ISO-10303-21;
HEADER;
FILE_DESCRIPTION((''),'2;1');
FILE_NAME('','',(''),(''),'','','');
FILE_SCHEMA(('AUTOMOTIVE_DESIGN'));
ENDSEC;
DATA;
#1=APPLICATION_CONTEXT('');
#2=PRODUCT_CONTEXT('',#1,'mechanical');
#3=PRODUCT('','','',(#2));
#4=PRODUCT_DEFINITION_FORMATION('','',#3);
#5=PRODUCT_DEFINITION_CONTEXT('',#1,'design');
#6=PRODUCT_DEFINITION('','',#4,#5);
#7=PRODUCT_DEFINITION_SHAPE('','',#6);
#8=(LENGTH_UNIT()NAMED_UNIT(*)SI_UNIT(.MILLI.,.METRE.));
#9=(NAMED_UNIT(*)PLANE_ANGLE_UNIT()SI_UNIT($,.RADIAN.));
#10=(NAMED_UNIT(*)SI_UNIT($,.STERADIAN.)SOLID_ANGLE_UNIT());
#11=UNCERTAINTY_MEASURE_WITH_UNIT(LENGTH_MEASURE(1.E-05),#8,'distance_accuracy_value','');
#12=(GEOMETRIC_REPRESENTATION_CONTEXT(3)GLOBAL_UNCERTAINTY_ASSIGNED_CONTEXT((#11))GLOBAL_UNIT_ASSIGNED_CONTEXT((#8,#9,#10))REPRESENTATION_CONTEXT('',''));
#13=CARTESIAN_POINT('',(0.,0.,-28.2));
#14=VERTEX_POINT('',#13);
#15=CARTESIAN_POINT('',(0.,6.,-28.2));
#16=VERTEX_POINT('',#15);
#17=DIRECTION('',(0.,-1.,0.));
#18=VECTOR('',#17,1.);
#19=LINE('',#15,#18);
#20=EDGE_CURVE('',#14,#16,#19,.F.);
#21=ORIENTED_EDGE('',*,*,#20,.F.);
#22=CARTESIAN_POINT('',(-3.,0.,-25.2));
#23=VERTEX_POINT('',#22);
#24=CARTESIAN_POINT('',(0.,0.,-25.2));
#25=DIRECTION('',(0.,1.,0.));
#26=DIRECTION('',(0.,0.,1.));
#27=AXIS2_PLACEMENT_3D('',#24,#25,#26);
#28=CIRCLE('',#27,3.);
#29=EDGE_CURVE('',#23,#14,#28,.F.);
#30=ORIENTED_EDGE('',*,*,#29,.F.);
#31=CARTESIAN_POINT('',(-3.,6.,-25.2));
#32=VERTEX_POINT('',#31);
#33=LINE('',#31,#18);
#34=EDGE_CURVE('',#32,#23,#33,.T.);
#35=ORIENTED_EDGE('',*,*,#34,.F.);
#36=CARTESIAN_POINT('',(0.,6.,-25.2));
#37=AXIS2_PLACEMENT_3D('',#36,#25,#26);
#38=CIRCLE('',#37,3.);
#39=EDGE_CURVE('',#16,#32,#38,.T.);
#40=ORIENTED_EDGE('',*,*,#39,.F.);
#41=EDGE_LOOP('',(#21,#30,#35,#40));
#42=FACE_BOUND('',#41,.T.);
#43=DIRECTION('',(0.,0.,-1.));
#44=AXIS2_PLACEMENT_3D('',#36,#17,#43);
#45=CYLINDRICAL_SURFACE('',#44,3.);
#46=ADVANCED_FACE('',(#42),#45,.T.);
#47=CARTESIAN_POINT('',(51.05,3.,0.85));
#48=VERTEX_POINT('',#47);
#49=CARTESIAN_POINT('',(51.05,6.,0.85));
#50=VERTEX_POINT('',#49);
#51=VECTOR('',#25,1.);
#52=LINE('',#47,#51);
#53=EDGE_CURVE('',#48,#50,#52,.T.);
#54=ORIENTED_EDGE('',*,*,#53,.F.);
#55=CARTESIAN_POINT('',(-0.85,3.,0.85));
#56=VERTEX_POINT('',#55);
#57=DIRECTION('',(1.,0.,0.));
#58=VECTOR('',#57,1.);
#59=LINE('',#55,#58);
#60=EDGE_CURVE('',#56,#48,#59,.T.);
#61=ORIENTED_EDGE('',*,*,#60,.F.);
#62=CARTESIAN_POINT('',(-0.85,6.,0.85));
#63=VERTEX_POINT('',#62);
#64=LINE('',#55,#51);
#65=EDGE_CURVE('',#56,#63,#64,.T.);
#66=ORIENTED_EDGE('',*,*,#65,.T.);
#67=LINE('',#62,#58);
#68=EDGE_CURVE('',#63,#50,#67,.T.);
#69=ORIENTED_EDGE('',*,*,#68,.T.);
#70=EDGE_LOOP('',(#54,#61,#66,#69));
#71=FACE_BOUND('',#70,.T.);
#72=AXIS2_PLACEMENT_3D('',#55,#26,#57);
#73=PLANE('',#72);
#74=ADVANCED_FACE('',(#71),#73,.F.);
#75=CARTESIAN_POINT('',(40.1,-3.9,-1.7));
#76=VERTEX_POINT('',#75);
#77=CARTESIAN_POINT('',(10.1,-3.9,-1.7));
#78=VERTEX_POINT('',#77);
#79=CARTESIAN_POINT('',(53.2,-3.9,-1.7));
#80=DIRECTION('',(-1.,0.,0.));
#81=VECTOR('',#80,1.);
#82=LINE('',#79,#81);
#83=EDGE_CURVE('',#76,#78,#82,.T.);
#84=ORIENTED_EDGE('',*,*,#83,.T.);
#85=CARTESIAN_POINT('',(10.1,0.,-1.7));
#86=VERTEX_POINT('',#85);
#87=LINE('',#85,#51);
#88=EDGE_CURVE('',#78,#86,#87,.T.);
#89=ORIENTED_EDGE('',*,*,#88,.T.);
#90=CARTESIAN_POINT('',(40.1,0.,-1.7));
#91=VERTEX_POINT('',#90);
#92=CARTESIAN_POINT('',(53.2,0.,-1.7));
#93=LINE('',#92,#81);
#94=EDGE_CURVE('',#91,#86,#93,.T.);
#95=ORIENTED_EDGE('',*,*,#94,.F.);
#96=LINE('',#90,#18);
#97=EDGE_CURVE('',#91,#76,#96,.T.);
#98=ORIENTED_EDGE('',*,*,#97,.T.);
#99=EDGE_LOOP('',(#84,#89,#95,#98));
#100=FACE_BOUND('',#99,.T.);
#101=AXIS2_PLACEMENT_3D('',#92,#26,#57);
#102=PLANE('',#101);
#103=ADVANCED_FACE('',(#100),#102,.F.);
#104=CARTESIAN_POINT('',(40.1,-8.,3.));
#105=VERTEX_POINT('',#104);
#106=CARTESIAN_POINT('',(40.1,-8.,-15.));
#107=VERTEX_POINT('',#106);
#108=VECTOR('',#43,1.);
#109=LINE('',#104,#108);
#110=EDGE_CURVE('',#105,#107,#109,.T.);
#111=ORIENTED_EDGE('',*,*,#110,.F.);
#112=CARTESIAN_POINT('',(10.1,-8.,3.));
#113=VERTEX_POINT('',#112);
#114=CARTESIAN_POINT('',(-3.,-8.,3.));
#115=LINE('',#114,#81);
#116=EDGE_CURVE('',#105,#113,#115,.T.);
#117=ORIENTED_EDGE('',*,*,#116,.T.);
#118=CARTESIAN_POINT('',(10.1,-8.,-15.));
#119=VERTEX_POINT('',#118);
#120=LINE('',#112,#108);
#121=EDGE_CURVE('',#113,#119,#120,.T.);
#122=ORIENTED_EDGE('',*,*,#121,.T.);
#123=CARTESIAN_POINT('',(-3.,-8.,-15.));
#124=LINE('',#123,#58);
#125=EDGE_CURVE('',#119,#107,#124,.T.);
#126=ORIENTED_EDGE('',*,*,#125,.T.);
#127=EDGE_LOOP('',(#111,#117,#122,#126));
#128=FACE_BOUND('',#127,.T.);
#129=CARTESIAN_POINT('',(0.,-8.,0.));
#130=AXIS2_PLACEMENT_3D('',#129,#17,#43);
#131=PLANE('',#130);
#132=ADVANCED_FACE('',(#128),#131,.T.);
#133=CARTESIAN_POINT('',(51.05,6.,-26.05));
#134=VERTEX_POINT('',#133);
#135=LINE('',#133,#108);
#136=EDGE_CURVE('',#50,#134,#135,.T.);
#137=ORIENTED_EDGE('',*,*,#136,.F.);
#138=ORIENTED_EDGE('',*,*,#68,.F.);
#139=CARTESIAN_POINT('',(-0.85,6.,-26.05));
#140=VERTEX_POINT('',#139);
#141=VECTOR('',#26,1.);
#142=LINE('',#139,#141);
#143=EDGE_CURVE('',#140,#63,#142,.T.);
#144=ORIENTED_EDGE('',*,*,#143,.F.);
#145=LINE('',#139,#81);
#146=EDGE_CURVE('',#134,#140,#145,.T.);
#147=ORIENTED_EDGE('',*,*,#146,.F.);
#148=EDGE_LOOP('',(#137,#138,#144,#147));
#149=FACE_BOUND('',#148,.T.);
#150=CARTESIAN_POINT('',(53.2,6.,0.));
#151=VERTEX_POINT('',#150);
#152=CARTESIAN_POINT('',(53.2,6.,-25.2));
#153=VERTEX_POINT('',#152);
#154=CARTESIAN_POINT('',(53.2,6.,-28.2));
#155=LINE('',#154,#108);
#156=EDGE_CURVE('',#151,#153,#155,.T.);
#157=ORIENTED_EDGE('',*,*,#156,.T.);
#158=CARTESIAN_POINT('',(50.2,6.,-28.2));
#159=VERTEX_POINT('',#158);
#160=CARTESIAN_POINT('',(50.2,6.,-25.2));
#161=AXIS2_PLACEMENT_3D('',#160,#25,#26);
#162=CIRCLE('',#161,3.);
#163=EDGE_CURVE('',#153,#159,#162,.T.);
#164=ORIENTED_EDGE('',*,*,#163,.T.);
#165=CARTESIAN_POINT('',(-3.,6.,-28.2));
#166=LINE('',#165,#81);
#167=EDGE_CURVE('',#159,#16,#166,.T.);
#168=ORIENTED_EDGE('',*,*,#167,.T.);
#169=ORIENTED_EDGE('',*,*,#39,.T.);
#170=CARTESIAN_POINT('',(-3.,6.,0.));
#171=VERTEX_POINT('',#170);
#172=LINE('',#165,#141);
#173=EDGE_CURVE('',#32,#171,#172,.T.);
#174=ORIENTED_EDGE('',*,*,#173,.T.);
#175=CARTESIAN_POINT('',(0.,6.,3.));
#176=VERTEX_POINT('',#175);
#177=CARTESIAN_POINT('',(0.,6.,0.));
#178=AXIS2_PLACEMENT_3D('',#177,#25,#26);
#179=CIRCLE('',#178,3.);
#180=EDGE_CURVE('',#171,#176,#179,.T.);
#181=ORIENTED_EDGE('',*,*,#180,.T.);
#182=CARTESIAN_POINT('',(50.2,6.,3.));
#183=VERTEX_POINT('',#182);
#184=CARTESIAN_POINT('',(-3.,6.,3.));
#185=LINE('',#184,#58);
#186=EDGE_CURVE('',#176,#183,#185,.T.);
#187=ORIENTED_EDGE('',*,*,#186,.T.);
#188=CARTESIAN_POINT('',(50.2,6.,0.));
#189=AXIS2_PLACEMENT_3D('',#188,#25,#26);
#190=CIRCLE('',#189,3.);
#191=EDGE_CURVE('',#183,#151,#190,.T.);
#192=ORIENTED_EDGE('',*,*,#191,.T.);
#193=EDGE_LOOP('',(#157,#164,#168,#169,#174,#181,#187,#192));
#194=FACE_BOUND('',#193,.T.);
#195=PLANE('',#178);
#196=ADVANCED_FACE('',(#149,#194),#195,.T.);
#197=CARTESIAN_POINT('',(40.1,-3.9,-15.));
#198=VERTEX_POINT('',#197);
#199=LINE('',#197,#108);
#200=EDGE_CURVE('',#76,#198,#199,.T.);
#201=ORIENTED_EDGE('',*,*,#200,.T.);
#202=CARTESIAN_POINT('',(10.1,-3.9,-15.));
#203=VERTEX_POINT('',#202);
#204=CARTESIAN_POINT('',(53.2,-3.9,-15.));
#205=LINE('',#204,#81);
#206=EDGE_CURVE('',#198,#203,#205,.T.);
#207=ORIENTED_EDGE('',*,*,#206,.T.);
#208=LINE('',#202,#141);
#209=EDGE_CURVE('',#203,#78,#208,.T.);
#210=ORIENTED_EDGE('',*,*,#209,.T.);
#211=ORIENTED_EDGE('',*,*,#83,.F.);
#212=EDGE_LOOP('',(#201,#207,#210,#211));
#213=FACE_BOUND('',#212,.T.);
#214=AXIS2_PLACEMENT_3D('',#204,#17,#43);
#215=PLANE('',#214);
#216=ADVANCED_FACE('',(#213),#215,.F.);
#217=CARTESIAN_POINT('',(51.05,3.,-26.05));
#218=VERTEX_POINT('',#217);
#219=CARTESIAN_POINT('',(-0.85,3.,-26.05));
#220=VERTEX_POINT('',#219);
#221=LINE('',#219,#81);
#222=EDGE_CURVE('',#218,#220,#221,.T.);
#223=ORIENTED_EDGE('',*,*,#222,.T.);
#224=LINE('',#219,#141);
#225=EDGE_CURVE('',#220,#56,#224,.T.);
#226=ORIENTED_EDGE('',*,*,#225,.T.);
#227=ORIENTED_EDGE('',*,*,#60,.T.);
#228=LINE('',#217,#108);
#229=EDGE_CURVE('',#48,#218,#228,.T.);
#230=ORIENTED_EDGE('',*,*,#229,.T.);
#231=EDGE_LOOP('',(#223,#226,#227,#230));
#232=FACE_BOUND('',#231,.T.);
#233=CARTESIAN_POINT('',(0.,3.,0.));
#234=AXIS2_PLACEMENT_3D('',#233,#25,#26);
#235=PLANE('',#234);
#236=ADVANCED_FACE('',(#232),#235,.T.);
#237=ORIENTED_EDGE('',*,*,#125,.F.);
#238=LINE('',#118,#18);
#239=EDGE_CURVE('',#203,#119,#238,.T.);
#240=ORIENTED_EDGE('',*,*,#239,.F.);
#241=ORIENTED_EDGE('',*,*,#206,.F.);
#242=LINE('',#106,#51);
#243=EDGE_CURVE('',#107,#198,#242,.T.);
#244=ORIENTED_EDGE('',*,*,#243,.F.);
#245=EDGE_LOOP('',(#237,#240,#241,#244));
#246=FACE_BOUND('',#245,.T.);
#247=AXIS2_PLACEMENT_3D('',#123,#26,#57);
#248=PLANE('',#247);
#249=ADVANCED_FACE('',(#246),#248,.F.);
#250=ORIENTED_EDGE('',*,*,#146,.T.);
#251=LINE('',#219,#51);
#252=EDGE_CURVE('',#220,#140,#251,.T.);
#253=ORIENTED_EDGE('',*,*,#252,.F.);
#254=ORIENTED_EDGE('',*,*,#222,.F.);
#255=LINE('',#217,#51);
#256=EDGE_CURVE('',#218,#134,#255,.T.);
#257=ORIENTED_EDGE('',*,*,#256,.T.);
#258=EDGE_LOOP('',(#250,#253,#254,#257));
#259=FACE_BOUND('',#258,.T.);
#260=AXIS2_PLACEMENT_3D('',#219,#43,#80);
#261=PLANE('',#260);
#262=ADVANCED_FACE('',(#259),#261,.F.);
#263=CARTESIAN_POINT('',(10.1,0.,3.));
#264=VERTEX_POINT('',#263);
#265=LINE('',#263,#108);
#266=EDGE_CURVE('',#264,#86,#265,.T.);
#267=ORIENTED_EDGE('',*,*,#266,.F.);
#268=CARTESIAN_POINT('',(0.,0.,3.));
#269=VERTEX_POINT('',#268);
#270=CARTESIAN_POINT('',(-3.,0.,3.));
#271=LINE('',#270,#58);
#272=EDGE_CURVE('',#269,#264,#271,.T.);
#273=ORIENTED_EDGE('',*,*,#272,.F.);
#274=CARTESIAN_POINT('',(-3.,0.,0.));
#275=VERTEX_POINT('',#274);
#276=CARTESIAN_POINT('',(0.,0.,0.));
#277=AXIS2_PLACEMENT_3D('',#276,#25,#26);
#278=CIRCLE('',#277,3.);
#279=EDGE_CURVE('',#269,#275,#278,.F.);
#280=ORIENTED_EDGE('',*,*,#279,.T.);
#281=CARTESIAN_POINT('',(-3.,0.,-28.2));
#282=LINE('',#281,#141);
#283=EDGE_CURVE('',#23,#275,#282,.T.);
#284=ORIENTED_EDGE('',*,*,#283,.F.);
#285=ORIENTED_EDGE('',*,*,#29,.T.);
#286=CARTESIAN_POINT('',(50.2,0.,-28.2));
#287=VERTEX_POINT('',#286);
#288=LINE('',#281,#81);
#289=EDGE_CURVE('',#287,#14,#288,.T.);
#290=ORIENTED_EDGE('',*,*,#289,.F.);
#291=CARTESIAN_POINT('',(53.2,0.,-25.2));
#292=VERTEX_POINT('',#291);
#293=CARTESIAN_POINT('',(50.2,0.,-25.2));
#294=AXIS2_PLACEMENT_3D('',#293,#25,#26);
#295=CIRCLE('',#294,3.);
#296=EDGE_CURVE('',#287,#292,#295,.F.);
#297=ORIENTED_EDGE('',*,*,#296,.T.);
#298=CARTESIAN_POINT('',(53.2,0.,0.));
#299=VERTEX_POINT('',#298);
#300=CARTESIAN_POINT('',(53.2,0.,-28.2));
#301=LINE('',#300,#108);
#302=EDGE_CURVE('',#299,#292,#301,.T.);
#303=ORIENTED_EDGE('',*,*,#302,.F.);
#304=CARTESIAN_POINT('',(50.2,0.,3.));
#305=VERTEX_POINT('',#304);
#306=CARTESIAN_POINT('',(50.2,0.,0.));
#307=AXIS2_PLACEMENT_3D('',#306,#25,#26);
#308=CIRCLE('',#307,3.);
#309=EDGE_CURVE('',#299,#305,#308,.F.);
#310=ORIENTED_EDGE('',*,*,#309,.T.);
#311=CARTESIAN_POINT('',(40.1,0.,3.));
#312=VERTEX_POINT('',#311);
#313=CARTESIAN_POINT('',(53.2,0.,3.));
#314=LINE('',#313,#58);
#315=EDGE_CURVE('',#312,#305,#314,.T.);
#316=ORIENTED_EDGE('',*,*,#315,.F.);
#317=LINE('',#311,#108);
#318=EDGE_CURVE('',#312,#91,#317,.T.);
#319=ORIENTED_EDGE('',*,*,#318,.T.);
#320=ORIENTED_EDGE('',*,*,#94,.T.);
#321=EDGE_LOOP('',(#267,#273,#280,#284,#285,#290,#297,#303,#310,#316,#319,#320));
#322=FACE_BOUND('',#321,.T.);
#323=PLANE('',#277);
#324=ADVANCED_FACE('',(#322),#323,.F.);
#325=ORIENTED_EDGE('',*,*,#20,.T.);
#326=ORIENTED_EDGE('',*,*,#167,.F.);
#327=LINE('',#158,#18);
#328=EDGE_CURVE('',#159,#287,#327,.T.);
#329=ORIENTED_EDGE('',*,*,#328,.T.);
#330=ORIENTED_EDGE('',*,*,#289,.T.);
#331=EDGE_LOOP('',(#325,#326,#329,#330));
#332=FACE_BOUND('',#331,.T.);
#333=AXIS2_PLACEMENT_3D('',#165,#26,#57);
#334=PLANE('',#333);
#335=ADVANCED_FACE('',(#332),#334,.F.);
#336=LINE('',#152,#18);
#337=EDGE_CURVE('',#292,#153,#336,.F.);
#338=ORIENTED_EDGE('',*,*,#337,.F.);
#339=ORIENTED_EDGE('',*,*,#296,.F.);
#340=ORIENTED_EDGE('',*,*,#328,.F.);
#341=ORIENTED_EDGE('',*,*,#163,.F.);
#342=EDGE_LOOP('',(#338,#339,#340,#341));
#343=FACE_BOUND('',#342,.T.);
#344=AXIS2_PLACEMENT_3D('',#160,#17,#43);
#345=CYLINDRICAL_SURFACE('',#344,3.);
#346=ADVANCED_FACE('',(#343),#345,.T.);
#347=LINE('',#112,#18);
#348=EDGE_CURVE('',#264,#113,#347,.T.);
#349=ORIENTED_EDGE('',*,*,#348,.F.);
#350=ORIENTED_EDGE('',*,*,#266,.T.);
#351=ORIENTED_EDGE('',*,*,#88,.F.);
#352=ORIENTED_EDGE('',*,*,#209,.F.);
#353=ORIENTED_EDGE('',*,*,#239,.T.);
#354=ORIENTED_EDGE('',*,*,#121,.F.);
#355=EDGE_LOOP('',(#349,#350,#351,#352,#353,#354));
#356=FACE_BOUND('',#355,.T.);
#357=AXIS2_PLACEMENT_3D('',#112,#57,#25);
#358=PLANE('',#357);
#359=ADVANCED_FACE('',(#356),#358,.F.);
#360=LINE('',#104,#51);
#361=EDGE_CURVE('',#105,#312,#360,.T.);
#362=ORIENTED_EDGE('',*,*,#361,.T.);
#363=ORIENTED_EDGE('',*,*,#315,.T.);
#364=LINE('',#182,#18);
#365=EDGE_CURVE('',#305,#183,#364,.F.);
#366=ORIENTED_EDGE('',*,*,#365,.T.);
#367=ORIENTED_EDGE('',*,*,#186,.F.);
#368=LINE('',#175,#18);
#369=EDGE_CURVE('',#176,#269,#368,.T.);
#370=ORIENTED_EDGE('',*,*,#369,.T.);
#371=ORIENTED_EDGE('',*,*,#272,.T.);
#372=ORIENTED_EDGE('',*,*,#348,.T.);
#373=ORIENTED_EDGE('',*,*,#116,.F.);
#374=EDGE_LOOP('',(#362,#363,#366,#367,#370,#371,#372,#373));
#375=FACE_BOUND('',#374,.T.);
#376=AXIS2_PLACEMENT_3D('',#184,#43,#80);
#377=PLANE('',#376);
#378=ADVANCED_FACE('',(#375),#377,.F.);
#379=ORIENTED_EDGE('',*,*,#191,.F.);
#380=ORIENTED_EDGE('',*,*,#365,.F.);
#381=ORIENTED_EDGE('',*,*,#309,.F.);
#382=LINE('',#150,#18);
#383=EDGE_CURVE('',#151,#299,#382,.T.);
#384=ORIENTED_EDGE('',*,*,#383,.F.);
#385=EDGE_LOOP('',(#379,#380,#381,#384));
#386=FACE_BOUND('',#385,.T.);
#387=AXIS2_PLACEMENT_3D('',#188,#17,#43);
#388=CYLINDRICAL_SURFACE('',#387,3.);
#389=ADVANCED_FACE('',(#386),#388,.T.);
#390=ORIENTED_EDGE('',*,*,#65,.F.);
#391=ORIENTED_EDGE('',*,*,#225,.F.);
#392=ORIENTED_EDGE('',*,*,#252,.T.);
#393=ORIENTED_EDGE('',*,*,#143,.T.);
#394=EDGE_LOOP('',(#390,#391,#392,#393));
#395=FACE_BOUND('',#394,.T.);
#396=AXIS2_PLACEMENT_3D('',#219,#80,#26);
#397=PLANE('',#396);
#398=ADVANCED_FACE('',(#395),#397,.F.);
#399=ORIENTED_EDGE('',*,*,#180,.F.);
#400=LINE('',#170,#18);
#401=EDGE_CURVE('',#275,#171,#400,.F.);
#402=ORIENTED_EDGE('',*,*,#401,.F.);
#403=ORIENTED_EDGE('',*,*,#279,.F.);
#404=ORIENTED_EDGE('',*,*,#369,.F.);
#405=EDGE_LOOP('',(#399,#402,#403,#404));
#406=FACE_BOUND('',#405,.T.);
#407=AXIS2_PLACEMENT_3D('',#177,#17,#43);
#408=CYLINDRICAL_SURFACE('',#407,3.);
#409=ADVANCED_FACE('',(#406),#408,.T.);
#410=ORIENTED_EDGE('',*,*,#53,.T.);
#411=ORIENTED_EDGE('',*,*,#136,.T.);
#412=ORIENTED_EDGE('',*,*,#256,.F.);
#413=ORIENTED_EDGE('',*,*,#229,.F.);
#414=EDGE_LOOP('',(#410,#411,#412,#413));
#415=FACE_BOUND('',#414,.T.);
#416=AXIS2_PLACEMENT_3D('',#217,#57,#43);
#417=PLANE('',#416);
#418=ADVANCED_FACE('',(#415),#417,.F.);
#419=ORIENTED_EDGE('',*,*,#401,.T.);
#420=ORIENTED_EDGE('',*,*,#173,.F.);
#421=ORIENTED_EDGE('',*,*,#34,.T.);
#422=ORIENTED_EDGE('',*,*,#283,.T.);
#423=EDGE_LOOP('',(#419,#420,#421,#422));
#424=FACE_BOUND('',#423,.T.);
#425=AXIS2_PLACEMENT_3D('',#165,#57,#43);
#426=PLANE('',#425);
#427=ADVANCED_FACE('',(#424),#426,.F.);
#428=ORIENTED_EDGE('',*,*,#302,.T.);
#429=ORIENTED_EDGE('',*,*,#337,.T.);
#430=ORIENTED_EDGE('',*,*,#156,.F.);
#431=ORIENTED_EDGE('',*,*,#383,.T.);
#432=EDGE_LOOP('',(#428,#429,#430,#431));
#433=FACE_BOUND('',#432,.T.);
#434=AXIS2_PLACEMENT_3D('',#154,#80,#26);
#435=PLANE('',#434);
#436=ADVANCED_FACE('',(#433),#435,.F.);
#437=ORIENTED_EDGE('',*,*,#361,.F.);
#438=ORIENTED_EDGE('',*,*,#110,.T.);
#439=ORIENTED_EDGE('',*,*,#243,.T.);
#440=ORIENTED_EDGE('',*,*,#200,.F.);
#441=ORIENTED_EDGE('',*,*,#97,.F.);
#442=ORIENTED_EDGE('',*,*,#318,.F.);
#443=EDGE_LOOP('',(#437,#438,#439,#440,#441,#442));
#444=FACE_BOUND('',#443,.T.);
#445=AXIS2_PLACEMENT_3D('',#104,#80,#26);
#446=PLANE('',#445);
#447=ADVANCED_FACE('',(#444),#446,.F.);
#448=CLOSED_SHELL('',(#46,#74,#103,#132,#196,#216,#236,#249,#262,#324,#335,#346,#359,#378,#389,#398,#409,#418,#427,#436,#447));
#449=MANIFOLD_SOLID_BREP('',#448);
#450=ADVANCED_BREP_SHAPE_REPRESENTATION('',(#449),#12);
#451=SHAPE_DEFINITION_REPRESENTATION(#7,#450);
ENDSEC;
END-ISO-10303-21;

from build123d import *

# Parameters (mm, degrees)
CROQUIS1_W              = 56.2
CROQUIS1_H              = 31.2
SALIENTE_EXTRUIR1_DEPTH = 6
CROQUIS3_W              = 51.9
CROQUIS3_H              = 26.9
CORTAR_EXTRUIR1_DEPTH   = 3
CROQUIS5_W              = 56.2
CROQUIS5_H              = 18
SALIENTE_EXTRUIR2_DEPTH = 8
CROQUIS6_W              = 13.3
CROQUIS6_H              = 3.9
CORTAR_EXTRUIR2_DEPTH   = 64.385171768
CROQUIS7_W              = 13.1
CROQUIS7_H              = 8
CORTAR_EXTRUIR3_DEPTH   = 57.729533754
REDONDEO3_R             = 3


with BuildPart() as part:
    # Croquis1 → Saliente-Extruir1 (new body)
    with BuildSketch(Plane(origin=(0, 0, 0), x_dir=(1, 0, 0), z_dir=(0, 1, 0))):
        with Locations((25.1, 12.6)):
            Rectangle(CROQUIS1_W, CROQUIS1_H)
    extrude(amount=SALIENTE_EXTRUIR1_DEPTH)

    # Croquis3 → Cortar-Extruir1 (cut)
    with BuildSketch(Plane(origin=(0, 6, 0), x_dir=(1, 0, 0), z_dir=(0, 1, 0))):
        with Locations((25.1, 12.6)):
            Rectangle(CROQUIS3_W, CROQUIS3_H)
    extrude(amount=-CORTAR_EXTRUIR1_DEPTH, mode=Mode.SUBTRACT)

    # Croquis5 → Saliente-Extruir2 (add)
    with BuildSketch(Plane.XZ):
        with Locations((25.1, -6)):
            Rectangle(CROQUIS5_W, CROQUIS5_H)
    extrude(amount=SALIENTE_EXTRUIR2_DEPTH)

    # Croquis6 → Cortar-Extruir2 (cut, through all)
    with BuildSketch(Plane.ZY.offset(3)):
        with Locations((-8.35, -1.95)):
            Rectangle(CROQUIS6_W, CROQUIS6_H)
    extrude(amount=-CORTAR_EXTRUIR2_DEPTH, mode=Mode.SUBTRACT)

    # Croquis7 → Cortar-Extruir3 (cut, through all)
    with BuildSketch(Plane(origin=(0, 0, -15), x_dir=(-1, 0, 0), z_dir=(0, 0, -1))):
        with Locations((-46.65, -4)):
            Rectangle(CROQUIS7_W, CROQUIS7_H)
        with Locations((-3.55, -4)):
            Rectangle(CROQUIS7_W, CROQUIS7_H)
    extrude(amount=-CORTAR_EXTRUIR3_DEPTH, mode=Mode.SUBTRACT)

    # Redondeo3
    redondeo3_edges = [part.edges().sort_by_distance(p)[0] for p in [
        (-3, 3, -28.2),
        (53.2, 3, -28.2),
        (53.2, 3, 3),
        (-3, 3, 3),
    ]]
    fillet(redondeo3_edges, radius=REDONDEO3_R)


solid = part.part
